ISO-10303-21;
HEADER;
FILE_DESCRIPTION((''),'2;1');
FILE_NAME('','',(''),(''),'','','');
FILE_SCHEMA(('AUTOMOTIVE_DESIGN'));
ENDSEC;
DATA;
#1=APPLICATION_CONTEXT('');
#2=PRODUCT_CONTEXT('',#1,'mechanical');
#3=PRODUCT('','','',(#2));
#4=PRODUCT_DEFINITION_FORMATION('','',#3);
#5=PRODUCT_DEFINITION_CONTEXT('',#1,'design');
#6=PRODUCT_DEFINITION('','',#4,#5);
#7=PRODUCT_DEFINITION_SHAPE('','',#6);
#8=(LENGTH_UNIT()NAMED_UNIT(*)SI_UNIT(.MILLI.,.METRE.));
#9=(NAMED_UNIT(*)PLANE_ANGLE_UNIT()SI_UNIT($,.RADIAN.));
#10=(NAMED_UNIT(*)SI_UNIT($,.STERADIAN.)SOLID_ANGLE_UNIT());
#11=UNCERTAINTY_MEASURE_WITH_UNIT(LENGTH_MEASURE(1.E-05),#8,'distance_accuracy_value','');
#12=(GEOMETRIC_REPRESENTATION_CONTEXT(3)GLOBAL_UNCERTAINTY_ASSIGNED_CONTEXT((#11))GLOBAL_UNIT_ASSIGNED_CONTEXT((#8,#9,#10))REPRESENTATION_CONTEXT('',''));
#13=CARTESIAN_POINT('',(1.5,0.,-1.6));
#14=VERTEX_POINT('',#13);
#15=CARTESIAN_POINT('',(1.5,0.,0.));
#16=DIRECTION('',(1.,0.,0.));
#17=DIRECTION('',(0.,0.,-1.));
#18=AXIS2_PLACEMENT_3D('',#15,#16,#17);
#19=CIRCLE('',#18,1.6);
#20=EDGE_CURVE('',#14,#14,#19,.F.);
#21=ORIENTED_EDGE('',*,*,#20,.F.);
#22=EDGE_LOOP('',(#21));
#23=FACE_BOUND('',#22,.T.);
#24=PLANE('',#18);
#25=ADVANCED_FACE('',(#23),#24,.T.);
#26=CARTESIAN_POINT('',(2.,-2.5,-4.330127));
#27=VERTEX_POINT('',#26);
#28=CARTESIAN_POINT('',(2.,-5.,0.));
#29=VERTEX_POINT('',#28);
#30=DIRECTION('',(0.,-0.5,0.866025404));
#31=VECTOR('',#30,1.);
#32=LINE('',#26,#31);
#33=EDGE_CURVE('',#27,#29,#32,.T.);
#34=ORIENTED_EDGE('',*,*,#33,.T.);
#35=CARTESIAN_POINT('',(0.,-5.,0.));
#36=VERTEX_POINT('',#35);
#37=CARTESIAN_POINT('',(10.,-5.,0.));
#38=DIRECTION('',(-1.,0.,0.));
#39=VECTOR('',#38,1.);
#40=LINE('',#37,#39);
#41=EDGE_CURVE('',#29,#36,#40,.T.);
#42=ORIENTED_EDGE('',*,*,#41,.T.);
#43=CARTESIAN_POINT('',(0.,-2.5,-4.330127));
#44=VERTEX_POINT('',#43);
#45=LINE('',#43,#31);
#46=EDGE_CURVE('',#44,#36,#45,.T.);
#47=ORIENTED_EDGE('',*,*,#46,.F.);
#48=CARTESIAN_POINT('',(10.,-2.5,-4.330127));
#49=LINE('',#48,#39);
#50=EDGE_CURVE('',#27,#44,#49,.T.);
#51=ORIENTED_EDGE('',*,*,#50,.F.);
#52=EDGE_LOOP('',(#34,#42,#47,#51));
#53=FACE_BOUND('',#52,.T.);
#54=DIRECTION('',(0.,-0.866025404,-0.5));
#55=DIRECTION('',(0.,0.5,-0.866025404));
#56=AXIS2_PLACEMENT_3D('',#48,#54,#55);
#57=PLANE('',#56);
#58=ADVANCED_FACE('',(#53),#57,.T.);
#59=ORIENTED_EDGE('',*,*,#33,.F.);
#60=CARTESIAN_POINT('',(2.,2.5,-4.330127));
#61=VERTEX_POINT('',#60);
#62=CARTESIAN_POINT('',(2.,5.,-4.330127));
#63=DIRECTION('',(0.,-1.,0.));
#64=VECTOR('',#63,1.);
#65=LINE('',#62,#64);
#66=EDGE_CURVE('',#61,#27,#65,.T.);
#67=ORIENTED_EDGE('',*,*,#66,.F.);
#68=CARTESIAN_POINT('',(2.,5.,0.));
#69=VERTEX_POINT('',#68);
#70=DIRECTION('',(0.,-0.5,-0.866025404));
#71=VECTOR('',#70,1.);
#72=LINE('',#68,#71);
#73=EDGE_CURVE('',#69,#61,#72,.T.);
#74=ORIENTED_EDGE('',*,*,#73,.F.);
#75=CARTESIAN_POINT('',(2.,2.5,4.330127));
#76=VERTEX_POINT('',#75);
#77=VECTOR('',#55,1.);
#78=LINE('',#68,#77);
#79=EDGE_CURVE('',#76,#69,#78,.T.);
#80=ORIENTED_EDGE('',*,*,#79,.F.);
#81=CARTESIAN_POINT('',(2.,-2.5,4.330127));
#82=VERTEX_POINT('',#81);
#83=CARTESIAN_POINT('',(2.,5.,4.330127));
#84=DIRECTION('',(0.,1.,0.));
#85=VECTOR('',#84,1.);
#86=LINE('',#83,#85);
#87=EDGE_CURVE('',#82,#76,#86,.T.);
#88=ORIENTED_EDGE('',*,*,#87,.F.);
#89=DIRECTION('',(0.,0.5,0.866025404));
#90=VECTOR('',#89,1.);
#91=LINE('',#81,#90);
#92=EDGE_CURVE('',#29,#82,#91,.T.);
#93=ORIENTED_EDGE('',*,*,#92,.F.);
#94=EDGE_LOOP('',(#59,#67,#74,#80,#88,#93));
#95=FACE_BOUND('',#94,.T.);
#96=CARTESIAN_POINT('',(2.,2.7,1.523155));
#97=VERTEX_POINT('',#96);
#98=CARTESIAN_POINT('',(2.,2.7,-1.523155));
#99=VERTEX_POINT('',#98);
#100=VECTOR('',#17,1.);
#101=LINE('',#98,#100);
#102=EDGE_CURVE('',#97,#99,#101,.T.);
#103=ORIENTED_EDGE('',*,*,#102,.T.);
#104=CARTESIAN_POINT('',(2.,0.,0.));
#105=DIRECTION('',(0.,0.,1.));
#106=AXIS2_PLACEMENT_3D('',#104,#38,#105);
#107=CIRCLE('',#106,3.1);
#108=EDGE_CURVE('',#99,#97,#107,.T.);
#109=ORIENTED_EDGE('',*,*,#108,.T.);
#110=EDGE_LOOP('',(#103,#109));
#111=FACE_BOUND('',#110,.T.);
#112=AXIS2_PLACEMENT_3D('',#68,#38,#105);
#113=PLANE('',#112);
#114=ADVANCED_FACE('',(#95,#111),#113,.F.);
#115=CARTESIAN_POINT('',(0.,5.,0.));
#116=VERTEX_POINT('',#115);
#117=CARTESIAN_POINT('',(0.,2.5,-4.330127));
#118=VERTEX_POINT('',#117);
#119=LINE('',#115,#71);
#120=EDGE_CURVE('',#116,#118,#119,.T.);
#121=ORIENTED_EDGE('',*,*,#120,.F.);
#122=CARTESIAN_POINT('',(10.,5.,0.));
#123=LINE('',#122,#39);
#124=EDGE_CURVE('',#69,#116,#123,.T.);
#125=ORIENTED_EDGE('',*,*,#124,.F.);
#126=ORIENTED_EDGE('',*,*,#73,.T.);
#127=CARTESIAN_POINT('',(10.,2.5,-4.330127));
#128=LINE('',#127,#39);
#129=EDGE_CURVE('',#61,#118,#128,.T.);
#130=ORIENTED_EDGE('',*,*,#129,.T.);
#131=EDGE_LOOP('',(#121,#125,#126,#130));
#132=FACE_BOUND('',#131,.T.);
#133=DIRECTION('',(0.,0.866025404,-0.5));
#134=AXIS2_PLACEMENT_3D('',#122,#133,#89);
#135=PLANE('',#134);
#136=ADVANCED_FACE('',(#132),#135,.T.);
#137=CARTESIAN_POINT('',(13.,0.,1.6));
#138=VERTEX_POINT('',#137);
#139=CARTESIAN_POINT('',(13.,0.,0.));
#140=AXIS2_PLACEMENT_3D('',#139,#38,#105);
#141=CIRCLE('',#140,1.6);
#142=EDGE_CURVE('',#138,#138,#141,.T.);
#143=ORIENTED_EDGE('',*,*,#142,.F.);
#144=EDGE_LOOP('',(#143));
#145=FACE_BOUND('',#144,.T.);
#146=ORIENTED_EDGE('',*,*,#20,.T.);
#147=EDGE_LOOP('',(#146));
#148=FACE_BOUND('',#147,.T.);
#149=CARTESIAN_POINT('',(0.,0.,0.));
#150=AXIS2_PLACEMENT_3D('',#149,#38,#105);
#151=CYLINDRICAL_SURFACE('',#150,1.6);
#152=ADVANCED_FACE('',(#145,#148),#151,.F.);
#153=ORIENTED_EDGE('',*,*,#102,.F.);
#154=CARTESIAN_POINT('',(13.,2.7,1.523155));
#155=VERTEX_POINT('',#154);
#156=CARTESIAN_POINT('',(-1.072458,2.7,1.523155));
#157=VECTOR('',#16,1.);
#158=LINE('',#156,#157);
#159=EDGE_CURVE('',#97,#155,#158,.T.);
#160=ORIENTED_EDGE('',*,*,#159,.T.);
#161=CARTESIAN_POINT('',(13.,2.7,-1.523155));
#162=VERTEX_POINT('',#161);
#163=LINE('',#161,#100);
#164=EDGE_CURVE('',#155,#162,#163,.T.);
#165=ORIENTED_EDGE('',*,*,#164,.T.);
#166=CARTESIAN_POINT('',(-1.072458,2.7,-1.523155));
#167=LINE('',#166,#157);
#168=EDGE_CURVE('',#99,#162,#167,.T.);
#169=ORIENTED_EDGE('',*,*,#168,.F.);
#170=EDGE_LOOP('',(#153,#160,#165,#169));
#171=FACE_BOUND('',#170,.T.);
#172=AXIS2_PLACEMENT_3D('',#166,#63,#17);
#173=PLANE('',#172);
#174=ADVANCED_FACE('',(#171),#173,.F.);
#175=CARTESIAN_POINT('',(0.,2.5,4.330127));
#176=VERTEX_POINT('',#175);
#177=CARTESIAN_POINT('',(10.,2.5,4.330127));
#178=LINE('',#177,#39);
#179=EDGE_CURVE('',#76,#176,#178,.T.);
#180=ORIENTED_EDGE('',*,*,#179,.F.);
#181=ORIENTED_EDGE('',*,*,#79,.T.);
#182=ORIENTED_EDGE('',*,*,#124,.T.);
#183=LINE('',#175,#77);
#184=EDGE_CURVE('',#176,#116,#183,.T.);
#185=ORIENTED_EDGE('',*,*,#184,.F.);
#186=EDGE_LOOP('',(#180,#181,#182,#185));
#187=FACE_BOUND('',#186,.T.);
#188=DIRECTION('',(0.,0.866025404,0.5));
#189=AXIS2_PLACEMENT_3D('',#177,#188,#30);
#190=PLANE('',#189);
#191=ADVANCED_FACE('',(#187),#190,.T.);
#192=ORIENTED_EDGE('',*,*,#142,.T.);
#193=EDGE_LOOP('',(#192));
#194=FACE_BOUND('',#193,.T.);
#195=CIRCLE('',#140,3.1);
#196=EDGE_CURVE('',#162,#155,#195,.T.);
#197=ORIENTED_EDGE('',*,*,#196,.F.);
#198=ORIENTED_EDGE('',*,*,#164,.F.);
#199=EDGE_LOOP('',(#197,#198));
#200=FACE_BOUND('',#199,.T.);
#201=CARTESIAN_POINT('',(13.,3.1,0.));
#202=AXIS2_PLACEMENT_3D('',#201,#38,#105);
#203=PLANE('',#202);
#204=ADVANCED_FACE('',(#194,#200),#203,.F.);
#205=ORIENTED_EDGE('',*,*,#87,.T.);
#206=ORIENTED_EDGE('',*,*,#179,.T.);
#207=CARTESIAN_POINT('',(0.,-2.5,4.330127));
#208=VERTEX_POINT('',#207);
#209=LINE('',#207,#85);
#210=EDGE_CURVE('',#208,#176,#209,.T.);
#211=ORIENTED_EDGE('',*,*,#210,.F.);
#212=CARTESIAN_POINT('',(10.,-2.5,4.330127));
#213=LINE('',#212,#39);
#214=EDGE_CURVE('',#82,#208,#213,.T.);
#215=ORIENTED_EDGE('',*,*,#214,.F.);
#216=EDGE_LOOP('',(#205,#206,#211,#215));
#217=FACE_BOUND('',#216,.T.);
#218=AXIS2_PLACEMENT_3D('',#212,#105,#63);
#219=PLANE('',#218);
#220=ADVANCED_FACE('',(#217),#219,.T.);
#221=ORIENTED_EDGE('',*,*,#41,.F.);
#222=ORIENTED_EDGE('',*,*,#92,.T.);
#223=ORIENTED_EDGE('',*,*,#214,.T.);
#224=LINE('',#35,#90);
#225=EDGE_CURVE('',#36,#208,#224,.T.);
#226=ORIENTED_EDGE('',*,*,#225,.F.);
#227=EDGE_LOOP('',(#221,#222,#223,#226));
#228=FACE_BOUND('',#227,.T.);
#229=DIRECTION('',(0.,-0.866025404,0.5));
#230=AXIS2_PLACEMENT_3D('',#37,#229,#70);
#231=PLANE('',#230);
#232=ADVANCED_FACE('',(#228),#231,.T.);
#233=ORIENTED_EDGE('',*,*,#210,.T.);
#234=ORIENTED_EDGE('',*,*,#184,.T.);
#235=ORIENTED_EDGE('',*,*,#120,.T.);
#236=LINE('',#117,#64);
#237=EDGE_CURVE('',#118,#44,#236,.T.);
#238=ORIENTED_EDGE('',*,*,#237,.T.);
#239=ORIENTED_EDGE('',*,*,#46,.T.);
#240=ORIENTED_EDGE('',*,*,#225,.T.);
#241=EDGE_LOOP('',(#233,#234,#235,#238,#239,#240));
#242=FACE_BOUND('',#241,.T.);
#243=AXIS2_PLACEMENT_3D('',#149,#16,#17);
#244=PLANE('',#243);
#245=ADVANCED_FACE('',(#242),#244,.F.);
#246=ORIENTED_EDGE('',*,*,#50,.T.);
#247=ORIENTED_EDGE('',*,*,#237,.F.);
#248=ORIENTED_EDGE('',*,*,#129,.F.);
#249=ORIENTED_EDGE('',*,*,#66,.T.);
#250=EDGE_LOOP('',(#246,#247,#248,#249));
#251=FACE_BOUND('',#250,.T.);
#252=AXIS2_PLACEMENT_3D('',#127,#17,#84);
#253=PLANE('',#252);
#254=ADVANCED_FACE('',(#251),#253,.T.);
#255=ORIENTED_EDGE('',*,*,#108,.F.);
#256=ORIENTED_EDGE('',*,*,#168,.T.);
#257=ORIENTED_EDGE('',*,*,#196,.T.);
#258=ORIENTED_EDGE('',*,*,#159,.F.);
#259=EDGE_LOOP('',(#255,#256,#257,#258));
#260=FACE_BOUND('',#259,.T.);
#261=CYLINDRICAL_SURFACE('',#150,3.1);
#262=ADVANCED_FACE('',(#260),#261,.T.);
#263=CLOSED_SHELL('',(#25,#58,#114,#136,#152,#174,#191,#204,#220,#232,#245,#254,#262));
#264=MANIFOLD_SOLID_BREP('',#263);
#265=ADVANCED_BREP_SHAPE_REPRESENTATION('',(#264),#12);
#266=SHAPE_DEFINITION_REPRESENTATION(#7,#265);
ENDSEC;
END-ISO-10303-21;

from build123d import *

# Parameters (mm, degrees)
SKETCH2_OUTSIDE_W  = 15.842
SKETCH2_OUTSIDE_H  = 15.842
CUT_EXTRUDE1_DEPTH = 10
SHELL1_T           = -1.5
CUT_EXTRUDE2_DEPTH = 11


with BuildPart() as part:
    # Sketch1 → Revolve1 (revolve)
    with BuildSketch(Plane.XY, mode=Mode.PRIVATE) as revolve1_sk:
        Polygon((0, 0), (0, 5), (2, 5), (2, 3.1), (13, 3.1), (13, 0), align=None)
    revolve(revolve1_sk.sketch.rotate(Axis((0, 0, 0), (1, 0, 0)), 90), axis=Axis((0, 0, 0), (1, 0, 0)))

    # Sketch2 outside → Cut-Extrude1 (cut)
    with BuildSketch(Plane.ZY):
        Rectangle(SKETCH2_OUTSIDE_W, SKETCH2_OUTSIDE_H)
        Polygon((0, -5), (4.330127019, -2.5), (4.330127019, 2.5), (0, 5), (-4.330127019, 2.5), (-4.330127019, -2.5), align=None, mode=Mode.SUBTRACT)
    extrude(amount=-CUT_EXTRUDE1_DEPTH, mode=Mode.SUBTRACT)

    # Shell1
    shell1_openings = [part.faces().sort_by_distance(p)[0] for p in [
        (13, 0, 0),
    ]]
    offset(amount=SHELL1_T, openings=shell1_openings, kind=Kind.INTERSECTION)

    # Sketch3 → Cut-Extrude2 (cut)
    with BuildSketch(Plane(origin=(13, 0, 0), x_dir=(0, 0, -1), z_dir=(1, 0, 0))):
        with BuildLine():
            Line((1.523154621, 2.7), (-1.523154621, 2.7))
            ThreePointArc((-1.523154621, 2.7), (0, 3.1), (1.523154621, 2.7))
        make_face()
    extrude(amount=-CUT_EXTRUDE2_DEPTH, mode=Mode.SUBTRACT)


solid = part.part
